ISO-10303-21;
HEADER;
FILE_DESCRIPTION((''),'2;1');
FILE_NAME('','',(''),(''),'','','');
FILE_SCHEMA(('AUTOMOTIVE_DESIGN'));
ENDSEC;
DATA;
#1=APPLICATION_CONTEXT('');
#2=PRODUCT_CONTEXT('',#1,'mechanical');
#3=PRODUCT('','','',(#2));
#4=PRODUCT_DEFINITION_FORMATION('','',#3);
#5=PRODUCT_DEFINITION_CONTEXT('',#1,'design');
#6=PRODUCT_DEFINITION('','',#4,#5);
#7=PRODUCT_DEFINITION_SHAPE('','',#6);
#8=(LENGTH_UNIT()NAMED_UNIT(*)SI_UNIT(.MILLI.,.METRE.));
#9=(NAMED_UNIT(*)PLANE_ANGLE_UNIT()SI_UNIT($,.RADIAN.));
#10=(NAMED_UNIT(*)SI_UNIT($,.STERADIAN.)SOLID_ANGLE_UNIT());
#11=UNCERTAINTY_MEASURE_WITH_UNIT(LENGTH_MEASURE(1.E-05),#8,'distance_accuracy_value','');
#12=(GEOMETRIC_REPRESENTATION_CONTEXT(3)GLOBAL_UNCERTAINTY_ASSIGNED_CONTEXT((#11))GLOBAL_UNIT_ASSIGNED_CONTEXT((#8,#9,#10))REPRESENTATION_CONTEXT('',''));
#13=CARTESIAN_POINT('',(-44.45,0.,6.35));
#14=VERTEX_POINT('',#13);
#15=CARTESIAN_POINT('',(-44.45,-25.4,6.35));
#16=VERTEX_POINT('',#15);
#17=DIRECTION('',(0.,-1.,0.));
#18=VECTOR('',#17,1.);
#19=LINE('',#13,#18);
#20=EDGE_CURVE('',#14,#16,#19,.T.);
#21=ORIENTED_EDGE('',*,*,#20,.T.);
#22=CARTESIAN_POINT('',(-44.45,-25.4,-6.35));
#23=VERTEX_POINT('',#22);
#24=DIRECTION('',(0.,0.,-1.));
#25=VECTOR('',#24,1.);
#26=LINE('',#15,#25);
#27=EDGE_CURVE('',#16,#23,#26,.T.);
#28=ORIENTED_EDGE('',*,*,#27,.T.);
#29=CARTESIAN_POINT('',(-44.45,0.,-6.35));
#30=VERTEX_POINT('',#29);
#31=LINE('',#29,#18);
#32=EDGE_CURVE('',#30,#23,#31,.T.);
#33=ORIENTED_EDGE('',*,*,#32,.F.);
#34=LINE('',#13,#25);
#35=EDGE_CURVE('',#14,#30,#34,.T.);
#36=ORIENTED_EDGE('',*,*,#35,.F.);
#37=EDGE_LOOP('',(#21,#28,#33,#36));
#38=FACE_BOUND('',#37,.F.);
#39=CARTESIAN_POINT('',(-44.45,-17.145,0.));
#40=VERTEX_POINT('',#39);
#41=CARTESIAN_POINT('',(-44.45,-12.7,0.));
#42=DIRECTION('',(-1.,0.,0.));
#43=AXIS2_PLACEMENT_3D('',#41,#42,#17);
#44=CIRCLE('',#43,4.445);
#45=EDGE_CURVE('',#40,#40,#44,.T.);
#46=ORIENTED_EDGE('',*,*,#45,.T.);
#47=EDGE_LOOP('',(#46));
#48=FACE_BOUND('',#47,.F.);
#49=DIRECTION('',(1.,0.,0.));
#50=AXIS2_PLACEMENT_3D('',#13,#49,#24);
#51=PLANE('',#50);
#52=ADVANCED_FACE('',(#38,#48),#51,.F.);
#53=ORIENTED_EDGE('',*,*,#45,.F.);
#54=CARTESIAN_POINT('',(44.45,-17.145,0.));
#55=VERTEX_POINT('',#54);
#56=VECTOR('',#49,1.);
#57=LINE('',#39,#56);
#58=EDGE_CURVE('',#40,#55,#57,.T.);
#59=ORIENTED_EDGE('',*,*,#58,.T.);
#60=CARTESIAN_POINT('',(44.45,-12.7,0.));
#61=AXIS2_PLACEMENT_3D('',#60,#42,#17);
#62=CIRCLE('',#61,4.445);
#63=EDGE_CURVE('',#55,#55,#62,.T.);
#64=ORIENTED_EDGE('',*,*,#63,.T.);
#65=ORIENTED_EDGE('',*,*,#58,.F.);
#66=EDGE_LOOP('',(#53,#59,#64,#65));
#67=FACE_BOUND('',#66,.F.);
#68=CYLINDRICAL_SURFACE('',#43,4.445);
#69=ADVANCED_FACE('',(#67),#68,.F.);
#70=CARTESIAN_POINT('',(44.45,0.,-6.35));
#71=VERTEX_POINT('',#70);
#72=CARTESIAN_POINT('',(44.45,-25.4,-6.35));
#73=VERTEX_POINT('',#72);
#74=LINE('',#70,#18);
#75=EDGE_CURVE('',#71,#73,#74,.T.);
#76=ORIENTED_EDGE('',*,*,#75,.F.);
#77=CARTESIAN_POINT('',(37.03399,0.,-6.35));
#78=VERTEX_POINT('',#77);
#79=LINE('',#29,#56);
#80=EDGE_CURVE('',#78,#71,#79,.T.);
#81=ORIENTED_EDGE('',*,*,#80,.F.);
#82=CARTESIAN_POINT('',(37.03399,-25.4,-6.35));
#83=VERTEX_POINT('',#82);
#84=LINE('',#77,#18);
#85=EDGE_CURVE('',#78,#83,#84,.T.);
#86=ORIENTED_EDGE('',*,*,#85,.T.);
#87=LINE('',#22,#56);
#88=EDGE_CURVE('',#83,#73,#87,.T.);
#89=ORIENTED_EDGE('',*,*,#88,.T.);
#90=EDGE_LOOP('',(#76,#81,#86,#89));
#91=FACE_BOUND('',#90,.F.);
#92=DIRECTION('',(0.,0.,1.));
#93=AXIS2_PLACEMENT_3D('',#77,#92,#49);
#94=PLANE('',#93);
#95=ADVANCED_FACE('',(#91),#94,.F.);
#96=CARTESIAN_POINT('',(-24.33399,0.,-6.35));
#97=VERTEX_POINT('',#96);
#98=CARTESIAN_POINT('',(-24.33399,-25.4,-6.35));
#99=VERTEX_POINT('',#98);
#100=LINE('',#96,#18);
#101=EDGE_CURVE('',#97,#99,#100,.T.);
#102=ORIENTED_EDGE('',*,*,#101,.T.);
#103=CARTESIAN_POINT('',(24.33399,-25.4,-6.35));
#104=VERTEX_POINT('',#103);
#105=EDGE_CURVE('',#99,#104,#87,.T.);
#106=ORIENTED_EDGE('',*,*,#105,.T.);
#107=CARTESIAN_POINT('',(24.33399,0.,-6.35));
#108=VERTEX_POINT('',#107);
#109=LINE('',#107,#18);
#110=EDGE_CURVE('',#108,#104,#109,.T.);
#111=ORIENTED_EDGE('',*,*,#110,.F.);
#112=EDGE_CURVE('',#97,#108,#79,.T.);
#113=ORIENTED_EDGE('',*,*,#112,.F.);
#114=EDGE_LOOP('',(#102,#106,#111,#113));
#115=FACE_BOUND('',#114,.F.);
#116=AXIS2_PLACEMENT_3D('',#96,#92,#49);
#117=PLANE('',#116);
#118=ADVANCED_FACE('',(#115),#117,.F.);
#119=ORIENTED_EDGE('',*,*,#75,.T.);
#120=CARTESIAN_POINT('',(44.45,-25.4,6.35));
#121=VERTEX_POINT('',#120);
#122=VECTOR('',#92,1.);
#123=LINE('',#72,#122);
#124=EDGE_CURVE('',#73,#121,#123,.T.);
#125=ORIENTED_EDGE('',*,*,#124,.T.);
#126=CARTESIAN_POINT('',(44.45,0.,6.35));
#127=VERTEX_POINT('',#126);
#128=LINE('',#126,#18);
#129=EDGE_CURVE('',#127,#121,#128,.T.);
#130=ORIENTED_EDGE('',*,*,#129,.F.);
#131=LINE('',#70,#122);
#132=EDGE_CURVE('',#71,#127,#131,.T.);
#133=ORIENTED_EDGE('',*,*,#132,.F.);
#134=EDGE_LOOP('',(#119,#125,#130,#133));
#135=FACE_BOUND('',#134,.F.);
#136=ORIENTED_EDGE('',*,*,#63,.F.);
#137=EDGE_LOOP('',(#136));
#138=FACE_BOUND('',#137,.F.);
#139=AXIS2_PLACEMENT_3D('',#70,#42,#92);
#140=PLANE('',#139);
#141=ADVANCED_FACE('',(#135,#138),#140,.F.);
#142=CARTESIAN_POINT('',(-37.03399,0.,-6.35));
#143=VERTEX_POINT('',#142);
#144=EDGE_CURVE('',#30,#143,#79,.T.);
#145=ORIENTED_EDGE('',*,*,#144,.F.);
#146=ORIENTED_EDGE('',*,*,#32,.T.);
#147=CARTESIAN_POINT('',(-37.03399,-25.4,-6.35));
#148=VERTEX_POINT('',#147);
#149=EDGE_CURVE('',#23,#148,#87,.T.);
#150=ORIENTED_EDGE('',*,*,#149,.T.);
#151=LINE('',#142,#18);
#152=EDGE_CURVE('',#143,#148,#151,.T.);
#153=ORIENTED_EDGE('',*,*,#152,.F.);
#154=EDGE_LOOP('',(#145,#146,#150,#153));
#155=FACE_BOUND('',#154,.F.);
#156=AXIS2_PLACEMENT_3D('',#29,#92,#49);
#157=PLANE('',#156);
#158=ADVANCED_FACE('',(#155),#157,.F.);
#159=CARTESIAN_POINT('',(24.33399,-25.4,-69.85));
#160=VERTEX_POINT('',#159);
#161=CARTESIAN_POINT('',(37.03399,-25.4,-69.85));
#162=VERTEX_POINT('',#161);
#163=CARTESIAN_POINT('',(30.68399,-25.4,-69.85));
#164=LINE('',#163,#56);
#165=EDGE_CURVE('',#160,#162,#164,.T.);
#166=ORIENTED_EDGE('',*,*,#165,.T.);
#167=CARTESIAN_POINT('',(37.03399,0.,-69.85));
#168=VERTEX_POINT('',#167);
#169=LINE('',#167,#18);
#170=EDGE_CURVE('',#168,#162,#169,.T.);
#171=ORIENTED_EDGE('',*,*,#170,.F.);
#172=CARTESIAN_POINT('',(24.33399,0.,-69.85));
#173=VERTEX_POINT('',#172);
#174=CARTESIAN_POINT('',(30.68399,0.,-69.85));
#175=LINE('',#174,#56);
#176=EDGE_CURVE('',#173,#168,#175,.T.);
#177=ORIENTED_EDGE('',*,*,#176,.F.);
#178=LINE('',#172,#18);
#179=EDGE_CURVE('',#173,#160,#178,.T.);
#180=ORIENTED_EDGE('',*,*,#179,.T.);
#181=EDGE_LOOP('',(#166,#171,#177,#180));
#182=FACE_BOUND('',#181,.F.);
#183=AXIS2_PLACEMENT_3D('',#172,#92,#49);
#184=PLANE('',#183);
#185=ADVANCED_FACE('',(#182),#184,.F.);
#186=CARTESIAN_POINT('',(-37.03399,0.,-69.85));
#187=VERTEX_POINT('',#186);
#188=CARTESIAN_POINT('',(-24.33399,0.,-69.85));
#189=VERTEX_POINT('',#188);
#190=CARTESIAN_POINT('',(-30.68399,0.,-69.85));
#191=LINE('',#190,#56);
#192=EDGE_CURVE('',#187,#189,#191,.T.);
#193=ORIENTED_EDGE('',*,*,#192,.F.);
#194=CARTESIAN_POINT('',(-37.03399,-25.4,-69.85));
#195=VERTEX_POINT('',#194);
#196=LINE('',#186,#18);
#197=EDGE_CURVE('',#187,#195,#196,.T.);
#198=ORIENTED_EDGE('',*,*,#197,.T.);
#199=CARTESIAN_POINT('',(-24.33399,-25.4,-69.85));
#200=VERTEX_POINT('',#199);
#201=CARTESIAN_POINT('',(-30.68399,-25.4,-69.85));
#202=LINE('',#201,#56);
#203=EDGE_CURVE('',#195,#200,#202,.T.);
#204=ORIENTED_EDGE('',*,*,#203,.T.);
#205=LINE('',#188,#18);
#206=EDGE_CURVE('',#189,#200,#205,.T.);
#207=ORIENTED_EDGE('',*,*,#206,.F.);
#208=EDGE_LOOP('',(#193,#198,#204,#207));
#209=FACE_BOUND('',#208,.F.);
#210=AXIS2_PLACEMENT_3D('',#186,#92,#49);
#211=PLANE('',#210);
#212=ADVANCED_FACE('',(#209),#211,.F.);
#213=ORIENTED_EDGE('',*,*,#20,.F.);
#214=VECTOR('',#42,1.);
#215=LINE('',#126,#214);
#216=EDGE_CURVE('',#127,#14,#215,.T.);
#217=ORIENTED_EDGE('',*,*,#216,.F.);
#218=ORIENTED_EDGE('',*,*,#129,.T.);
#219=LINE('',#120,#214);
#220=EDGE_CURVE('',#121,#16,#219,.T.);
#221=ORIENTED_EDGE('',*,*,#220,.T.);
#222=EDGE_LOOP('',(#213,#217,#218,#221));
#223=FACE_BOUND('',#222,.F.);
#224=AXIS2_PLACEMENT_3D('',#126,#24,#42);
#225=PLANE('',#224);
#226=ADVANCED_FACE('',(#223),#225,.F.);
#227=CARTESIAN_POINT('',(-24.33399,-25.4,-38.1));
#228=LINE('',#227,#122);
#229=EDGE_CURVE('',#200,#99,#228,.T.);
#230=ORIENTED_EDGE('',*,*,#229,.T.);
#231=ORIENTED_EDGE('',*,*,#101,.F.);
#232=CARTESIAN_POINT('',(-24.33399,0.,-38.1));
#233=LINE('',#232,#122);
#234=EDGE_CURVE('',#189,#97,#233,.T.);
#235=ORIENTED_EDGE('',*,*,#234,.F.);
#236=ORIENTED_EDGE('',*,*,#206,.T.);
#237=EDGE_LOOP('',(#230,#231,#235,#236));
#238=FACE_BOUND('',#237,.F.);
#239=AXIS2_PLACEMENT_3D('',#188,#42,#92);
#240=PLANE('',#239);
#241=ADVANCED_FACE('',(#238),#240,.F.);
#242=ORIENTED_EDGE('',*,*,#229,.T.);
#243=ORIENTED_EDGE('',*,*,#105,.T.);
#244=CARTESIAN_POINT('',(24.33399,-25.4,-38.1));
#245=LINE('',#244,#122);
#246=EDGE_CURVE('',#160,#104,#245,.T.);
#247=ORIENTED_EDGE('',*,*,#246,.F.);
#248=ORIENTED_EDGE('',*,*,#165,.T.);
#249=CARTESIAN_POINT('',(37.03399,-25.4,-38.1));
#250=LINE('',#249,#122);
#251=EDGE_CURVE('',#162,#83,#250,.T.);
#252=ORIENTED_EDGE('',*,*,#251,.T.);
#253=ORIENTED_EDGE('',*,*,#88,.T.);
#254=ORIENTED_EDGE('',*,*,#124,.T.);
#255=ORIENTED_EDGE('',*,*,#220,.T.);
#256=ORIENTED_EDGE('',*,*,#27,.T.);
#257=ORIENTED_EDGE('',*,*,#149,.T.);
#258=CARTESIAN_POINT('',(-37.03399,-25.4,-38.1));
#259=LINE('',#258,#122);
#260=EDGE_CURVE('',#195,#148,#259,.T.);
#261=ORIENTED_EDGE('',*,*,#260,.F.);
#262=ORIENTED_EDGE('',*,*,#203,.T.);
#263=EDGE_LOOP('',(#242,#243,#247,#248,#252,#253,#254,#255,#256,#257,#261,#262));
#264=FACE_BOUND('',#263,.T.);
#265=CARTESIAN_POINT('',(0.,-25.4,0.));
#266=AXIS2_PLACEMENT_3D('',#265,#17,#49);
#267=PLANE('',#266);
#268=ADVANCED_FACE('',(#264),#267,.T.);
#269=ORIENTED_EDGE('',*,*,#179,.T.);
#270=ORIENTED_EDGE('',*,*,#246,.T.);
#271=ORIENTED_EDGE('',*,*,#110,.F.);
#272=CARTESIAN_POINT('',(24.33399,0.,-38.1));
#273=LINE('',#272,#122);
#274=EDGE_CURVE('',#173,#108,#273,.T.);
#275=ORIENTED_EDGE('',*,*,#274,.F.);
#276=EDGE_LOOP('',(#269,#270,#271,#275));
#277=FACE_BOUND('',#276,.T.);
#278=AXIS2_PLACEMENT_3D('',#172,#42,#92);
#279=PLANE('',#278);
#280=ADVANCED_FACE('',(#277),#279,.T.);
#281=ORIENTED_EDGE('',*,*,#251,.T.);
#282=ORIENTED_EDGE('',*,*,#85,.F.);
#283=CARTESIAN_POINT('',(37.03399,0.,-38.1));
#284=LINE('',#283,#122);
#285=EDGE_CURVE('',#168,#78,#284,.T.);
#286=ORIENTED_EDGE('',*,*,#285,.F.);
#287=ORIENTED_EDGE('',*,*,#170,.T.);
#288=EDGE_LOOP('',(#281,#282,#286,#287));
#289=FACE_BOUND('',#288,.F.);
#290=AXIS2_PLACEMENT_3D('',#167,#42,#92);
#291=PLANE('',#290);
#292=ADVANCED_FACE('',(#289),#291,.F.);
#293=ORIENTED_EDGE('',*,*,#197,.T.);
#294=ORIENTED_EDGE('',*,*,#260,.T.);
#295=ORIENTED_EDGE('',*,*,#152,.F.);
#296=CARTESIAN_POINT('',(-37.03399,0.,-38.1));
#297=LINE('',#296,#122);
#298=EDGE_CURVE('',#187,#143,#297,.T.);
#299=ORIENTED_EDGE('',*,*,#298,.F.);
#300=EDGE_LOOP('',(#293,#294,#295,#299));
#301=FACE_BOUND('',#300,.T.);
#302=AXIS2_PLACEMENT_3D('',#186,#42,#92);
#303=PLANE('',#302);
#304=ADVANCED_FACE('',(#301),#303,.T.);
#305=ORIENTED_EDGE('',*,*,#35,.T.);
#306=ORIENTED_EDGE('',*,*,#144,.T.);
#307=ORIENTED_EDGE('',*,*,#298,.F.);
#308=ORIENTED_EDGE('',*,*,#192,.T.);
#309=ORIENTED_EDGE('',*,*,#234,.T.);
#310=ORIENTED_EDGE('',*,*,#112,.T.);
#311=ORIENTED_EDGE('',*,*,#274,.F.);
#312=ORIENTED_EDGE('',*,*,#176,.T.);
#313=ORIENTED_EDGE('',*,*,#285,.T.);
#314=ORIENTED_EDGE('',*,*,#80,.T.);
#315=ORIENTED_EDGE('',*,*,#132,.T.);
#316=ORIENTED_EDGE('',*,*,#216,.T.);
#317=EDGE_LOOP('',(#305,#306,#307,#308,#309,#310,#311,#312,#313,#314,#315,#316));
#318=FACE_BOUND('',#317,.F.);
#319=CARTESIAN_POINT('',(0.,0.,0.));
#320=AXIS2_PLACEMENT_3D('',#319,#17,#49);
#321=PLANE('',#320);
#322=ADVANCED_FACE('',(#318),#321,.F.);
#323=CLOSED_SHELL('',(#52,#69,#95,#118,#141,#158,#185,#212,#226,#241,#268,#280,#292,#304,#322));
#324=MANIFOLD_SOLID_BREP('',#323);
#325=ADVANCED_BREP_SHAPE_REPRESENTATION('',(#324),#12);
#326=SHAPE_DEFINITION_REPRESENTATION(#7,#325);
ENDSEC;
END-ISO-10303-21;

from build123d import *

# Parameters (mm, degrees)
F0_W     = 12.7
F0_H     = 63.5
F1_DEPTH = 25.4
F2_R     = 4.445
F3_DEPTH = 88.901


with BuildPart() as f1:
    # F0 (on Front) → F1 (new body)
    with BuildSketch(Plane.XZ):
        Polygon((37.03399, -6.35), (44.45, -6.35), (44.45, 6.35), (-44.45, 6.35), (-44.45, -6.35), (-37.03399, -6.35), (-24.33399, -6.35), (24.33399, -6.35), align=None)
        with Locations((30.68399, -38.1)):
            Rectangle(F0_W, F0_H)
        with Locations((-30.68399, -38.1)):
            Rectangle(F0_W, F0_H)
    extrude(amount=F1_DEPTH)

    # F2 (on face) → F3 (cut, through all)
    with BuildSketch(Plane(origin=(-44.45, 0, 0), x_dir=(0, -1, 0), z_dir=(-1, 0, 0))):
        with Locations((12.7, 0)):
            Circle(F2_R)
    extrude(amount=-F3_DEPTH, mode=Mode.SUBTRACT)


solid = f1.part
